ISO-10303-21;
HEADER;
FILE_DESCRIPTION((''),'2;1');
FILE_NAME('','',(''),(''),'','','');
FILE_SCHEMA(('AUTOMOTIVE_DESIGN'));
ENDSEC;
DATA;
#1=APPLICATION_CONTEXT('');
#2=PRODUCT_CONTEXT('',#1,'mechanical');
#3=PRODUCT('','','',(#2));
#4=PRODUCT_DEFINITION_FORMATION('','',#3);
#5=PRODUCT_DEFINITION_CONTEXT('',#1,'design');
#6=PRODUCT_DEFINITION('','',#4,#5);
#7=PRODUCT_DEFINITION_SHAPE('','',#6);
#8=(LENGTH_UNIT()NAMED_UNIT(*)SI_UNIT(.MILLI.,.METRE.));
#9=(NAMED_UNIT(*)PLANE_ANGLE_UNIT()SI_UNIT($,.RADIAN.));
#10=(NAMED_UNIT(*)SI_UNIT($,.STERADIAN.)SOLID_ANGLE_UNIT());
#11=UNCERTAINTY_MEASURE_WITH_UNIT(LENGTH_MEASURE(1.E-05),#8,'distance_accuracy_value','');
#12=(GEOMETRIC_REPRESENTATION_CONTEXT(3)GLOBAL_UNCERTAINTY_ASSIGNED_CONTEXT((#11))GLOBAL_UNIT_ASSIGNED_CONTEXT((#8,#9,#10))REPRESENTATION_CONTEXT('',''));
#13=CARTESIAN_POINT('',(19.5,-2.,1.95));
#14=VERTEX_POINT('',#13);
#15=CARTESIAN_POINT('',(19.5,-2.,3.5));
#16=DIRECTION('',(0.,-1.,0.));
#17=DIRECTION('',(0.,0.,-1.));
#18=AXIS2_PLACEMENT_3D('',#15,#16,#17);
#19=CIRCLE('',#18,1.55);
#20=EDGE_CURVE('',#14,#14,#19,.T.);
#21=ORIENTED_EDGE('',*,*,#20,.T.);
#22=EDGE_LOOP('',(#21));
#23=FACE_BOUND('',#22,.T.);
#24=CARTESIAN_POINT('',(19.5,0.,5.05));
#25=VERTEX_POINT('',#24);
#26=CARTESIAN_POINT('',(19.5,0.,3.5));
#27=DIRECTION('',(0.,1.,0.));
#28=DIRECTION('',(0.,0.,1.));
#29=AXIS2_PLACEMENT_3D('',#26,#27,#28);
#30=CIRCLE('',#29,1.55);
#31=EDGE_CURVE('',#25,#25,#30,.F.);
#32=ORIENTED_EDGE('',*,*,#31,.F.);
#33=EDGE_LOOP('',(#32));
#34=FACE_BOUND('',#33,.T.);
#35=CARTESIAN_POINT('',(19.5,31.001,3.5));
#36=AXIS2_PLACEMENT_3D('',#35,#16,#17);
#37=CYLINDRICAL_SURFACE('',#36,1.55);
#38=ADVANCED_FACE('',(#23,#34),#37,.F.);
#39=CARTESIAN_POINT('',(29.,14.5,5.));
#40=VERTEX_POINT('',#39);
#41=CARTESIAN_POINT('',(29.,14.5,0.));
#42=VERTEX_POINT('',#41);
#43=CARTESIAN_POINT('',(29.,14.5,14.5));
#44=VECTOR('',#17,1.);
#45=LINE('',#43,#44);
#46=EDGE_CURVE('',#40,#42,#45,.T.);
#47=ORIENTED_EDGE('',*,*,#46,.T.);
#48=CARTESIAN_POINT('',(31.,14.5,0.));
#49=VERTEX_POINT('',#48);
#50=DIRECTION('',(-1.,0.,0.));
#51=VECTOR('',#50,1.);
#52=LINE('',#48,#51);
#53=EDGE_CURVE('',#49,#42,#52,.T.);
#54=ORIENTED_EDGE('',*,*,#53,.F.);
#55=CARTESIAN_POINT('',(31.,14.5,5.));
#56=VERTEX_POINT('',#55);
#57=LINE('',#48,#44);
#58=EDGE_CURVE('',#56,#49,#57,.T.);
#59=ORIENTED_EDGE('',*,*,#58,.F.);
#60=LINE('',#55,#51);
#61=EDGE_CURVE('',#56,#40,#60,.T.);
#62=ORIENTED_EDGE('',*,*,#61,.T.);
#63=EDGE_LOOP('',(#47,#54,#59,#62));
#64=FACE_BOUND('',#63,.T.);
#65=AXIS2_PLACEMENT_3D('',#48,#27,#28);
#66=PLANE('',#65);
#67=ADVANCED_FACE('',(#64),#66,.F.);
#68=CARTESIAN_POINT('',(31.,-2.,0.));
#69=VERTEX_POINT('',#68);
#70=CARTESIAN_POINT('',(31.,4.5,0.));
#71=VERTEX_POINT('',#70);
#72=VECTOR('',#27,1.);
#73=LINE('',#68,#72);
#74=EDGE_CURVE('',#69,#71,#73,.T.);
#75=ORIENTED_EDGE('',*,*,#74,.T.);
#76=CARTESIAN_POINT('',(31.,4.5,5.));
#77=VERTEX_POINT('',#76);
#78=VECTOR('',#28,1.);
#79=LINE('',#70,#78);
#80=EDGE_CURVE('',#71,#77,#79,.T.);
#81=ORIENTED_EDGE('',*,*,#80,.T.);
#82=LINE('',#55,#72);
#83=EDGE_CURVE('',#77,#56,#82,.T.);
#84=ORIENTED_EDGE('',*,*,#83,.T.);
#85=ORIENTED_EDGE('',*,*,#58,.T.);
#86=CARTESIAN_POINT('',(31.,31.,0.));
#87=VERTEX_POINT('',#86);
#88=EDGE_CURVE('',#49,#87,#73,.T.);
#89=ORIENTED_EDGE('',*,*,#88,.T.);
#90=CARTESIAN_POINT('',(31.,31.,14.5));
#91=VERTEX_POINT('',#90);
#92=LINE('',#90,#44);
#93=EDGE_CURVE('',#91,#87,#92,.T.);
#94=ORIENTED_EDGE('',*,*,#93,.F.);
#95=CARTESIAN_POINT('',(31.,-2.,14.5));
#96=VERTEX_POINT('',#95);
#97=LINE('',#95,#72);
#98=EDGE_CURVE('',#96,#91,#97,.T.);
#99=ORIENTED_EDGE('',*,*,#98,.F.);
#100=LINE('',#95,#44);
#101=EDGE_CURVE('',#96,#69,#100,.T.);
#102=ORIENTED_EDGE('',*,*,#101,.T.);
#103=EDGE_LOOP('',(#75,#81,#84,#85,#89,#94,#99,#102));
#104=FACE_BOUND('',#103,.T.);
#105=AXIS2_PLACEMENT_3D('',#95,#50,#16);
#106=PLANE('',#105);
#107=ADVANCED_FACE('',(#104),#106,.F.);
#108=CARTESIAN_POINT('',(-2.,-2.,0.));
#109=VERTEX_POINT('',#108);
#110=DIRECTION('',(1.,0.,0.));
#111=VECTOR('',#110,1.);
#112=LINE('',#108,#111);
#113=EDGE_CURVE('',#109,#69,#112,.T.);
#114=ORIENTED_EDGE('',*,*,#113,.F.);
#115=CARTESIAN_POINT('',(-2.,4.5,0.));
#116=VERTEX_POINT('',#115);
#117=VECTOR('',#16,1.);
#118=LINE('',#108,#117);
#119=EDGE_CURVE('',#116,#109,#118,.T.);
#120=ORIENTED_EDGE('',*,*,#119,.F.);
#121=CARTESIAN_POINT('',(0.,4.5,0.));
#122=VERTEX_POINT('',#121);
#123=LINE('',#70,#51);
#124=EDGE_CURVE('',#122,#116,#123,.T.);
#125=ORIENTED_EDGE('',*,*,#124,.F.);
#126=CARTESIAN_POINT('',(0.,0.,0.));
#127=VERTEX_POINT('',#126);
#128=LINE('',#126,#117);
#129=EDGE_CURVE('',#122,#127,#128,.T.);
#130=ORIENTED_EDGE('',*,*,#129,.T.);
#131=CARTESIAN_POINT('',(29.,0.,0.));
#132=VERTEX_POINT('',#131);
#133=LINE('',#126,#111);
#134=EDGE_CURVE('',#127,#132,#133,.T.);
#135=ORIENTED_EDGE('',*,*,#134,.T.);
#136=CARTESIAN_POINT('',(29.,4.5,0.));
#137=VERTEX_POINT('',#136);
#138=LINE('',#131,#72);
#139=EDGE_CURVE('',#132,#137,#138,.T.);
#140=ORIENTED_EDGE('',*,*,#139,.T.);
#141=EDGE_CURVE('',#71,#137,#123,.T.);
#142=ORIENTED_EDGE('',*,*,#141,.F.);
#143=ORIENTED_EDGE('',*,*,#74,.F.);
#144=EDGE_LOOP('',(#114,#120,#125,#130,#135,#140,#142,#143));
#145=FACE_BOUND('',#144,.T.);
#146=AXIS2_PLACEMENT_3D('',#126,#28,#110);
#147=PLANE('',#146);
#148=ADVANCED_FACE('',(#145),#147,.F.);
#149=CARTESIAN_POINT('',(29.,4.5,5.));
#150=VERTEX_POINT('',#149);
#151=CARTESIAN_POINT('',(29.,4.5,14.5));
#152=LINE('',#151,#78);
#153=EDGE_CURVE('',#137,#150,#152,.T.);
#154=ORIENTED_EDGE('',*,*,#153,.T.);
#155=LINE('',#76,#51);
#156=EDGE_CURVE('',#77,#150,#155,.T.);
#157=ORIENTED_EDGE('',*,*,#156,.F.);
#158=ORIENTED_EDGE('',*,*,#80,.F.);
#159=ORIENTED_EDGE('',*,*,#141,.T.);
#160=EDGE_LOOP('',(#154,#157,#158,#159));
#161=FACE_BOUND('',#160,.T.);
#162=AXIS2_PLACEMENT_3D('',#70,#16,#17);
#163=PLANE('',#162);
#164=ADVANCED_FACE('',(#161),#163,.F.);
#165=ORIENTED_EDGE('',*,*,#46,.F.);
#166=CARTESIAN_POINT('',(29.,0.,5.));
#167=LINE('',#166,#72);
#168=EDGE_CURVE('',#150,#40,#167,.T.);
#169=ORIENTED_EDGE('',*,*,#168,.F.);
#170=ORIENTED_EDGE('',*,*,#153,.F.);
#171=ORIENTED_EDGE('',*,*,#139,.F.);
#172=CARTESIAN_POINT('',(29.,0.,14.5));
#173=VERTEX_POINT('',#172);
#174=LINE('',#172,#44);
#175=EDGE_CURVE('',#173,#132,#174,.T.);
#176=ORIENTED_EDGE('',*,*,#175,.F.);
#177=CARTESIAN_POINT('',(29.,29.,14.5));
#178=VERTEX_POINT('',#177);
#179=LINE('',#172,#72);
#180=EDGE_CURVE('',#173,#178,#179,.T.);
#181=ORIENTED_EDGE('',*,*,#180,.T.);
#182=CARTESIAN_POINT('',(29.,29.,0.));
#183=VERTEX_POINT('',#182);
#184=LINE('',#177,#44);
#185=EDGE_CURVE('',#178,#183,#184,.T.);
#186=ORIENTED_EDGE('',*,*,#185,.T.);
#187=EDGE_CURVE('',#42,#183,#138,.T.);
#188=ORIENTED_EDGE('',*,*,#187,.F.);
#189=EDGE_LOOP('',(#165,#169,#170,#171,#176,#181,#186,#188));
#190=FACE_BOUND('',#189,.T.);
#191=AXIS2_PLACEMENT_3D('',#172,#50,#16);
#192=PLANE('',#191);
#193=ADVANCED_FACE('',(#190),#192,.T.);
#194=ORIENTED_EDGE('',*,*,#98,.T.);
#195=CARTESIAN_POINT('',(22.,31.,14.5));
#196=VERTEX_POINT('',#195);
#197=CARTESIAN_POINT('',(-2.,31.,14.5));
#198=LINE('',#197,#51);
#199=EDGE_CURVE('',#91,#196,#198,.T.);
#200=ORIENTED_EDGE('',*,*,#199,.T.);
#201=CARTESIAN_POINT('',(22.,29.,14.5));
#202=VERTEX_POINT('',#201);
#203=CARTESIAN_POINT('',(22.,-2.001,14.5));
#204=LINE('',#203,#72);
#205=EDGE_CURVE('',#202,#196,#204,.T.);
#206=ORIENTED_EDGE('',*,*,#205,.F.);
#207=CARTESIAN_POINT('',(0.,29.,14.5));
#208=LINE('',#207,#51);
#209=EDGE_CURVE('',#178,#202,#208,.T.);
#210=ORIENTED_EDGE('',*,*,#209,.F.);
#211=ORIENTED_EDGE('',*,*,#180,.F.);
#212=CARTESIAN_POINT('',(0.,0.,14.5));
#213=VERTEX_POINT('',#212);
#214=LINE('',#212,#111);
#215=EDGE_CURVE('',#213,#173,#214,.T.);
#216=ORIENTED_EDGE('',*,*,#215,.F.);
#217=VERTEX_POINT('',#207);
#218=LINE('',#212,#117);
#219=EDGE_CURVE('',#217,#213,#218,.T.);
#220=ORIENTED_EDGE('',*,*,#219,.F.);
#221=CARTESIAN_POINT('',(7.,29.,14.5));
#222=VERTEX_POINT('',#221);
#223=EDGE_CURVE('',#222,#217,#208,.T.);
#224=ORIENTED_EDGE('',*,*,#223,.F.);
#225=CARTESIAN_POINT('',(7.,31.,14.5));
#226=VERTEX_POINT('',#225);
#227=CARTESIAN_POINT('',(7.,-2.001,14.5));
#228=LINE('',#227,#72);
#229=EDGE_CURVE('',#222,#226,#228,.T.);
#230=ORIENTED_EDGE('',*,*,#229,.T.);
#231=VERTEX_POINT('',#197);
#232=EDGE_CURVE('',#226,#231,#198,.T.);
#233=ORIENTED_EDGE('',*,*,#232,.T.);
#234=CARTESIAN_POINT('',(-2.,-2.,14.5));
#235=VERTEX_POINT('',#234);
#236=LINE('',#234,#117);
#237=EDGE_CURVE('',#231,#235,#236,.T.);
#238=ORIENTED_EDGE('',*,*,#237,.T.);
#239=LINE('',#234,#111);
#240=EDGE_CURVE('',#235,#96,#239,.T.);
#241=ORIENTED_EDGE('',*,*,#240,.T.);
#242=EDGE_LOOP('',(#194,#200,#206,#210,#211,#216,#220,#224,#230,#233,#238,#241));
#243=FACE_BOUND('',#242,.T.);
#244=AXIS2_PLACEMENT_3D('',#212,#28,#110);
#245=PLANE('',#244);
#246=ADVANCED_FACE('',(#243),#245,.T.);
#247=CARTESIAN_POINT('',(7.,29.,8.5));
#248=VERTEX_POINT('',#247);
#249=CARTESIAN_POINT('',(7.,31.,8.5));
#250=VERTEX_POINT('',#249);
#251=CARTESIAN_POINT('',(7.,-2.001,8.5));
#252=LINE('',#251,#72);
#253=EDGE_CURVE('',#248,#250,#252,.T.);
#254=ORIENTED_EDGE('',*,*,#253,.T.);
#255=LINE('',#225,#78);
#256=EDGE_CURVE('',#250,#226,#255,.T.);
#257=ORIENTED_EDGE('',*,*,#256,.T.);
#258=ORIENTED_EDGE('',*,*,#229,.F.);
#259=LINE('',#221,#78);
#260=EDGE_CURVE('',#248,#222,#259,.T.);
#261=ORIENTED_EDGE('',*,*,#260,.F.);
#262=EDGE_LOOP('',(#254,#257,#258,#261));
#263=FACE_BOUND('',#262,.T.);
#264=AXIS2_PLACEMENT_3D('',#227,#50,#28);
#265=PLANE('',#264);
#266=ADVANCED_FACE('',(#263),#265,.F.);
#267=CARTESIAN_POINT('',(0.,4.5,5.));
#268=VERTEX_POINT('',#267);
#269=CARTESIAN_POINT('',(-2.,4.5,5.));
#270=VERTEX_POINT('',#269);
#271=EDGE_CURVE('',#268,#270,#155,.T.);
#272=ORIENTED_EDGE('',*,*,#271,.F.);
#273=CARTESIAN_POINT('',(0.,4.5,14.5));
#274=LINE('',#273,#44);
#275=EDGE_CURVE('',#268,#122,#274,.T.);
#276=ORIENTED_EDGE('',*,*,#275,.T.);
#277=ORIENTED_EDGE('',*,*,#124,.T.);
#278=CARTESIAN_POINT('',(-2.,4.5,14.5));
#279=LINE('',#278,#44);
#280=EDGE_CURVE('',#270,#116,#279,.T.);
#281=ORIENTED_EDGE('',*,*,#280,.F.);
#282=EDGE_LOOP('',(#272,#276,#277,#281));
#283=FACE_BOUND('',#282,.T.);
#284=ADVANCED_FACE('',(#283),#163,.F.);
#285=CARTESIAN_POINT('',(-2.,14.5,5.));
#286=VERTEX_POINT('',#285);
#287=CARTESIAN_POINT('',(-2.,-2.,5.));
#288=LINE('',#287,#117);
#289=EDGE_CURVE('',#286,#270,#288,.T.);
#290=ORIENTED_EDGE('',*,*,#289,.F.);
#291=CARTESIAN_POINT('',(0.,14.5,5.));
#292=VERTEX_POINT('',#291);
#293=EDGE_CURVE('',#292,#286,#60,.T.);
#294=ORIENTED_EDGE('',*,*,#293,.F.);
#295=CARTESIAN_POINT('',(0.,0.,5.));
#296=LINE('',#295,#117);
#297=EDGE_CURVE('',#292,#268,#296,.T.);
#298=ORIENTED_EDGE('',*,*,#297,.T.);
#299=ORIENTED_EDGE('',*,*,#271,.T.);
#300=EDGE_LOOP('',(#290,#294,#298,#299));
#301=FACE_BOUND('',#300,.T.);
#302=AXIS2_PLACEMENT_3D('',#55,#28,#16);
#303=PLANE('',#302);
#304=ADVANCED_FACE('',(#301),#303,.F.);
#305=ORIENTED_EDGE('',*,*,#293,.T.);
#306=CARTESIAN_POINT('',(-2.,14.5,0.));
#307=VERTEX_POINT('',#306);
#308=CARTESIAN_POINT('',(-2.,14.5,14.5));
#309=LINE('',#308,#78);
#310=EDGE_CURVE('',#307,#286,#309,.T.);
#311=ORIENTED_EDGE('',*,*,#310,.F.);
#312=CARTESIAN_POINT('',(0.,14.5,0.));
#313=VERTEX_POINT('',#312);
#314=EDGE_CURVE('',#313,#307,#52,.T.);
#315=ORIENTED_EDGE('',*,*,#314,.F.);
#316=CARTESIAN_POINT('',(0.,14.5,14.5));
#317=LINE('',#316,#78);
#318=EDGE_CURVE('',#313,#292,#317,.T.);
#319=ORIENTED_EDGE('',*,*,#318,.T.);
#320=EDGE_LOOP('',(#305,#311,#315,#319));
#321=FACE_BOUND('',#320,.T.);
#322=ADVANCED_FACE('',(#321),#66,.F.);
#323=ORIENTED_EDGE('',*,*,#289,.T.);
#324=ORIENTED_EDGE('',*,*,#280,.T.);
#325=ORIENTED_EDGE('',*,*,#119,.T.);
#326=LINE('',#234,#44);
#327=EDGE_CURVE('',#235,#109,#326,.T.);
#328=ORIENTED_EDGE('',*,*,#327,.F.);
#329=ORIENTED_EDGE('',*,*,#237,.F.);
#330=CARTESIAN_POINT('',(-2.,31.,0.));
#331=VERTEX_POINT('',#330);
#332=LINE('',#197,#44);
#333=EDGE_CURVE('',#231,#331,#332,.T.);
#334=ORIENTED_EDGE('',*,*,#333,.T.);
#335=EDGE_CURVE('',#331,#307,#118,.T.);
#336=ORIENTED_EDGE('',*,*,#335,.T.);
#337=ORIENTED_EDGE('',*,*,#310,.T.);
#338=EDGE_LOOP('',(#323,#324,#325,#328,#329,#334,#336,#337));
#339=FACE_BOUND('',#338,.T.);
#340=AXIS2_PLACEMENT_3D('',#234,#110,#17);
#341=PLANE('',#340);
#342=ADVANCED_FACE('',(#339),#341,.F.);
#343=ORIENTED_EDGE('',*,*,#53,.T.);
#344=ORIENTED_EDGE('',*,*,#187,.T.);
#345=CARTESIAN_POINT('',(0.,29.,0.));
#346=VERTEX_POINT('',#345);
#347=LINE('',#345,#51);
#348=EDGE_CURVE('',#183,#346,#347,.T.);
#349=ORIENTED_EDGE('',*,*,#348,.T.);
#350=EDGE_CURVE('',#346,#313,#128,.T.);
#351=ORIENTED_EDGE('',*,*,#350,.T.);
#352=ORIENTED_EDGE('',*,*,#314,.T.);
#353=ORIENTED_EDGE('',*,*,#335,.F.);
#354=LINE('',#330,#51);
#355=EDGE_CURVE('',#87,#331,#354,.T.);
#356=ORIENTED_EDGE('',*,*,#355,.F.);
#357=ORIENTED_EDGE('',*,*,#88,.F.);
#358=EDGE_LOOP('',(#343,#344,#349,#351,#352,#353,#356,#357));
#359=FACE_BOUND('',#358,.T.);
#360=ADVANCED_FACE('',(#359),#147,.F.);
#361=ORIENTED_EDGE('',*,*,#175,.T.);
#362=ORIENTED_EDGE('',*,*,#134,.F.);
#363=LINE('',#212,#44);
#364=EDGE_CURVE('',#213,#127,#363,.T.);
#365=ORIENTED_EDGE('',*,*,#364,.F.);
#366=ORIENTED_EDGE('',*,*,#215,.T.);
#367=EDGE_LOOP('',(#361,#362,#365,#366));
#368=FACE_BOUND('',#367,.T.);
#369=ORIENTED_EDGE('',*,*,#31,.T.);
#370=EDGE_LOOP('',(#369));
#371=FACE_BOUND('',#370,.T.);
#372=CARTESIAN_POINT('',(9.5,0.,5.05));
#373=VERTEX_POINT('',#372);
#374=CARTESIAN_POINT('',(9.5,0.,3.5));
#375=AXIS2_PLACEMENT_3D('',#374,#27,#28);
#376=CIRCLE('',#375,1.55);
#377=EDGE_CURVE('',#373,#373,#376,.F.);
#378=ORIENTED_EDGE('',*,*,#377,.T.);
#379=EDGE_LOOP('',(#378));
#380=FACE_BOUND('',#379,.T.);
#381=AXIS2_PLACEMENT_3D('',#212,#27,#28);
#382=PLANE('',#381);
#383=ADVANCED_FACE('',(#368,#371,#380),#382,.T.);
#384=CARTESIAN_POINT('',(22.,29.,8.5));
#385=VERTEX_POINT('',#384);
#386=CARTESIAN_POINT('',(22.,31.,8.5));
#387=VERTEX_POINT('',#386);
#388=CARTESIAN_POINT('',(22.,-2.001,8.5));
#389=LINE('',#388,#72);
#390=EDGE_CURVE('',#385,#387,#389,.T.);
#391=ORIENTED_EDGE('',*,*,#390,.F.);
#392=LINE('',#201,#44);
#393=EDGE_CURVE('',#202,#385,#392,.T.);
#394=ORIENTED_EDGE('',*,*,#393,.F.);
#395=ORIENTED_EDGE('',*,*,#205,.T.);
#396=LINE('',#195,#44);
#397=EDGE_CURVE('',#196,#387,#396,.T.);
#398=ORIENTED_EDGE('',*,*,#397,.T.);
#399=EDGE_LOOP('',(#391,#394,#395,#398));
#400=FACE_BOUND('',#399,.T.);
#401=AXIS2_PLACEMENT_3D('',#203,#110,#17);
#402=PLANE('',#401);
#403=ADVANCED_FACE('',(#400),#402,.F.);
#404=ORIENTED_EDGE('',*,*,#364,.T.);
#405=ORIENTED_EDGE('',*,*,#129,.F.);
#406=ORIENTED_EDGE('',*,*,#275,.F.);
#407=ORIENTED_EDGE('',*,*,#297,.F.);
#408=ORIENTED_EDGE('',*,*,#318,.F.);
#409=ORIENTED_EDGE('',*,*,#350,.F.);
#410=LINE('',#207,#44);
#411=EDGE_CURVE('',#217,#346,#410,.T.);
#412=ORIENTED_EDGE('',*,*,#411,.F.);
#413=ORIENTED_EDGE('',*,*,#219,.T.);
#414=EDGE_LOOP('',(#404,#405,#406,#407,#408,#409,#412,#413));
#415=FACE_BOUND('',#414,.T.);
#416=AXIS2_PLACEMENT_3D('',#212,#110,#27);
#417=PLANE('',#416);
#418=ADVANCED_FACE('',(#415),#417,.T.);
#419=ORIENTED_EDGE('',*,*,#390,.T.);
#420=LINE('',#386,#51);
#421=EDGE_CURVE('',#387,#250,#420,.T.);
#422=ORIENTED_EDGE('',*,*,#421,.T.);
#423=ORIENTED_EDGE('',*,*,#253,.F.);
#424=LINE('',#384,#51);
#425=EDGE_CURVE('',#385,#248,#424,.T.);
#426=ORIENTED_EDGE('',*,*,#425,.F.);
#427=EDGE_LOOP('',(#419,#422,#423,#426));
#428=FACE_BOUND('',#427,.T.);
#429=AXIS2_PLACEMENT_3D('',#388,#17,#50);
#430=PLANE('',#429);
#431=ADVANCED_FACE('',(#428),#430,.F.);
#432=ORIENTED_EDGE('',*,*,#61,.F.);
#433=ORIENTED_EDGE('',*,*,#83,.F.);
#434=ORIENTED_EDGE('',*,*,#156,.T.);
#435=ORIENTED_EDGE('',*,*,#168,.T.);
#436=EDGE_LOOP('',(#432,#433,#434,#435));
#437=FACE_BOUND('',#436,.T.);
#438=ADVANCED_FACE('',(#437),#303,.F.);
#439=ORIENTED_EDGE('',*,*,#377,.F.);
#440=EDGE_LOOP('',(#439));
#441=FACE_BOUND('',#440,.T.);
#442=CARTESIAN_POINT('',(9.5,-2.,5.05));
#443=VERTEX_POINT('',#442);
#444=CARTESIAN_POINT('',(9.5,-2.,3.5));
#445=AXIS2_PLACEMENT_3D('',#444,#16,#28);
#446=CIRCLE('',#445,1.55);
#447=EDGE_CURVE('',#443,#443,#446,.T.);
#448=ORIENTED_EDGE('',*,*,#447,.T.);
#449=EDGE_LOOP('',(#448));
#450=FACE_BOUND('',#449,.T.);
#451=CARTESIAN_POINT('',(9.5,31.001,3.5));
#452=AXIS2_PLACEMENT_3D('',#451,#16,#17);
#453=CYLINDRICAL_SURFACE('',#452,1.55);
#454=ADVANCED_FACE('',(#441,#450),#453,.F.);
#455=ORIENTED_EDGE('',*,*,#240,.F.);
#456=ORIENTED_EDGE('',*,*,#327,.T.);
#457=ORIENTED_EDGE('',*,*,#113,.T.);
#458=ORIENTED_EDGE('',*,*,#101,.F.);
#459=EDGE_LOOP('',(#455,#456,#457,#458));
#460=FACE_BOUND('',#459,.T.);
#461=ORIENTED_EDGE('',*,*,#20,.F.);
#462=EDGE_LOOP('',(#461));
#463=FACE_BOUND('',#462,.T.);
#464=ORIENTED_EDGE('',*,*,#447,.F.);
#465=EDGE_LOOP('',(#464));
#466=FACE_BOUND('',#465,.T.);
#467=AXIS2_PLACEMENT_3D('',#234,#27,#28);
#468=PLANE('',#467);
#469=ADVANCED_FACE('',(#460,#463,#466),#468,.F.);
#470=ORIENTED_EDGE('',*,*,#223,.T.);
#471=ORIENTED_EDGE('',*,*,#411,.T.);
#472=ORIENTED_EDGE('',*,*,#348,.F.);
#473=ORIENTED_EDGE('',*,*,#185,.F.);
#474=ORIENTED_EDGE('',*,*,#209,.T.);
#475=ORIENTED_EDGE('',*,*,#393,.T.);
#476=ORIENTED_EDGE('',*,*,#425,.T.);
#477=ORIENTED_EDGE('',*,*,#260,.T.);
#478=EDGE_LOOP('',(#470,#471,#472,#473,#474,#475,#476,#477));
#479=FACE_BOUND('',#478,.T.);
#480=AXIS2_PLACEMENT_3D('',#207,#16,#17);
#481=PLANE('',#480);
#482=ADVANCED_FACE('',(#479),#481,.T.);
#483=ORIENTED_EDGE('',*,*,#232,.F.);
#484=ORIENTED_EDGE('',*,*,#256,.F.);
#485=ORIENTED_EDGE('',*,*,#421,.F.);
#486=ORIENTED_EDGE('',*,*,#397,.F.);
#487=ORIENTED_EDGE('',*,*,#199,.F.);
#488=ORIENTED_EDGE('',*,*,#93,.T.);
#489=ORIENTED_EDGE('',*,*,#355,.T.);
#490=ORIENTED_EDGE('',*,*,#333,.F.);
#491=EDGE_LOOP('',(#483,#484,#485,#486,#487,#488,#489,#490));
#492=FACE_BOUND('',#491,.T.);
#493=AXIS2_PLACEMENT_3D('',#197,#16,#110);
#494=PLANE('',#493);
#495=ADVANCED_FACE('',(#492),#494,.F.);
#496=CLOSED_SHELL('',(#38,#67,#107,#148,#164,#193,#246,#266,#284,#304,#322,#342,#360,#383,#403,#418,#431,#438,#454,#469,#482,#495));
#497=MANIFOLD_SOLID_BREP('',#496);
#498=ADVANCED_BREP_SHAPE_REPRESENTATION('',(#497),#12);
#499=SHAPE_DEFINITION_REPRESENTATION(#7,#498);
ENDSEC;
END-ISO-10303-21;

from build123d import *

# Parameters (mm, degrees)
SKETCH_1_W               = 33
SKETCH_1_H               = 33
SKETCH_1_W_2             = 29
SKETCH_1_H_2             = 29
EXTRUDE_1_DEPTH          = 14.5
CUT_EXTRUDE_2_REACH      = 49.542
SKETCH_3_W               = 15
SKETCH_3_H               = 6
CUT_EXTRUDE_4_REACH      = 49.542
SKETCH_5_R               = 1.55
CUT_EXTRUDE_5_DEPTH      = 48.542086618
CUT_EXTRUDE_5_DEPTH_BACK = 48.542086618
SKETCH_6_W               = 5
SKETCH_6_H               = 10


with BuildPart() as part:
    # 草图1 → 凸台-拉伸1 (new body)
    with BuildSketch(Plane.XY):
        with Locations((14.5, 14.5)):
            Rectangle(SKETCH_1_W, SKETCH_1_H)
        with Locations((14.5, 14.5)):
            Rectangle(SKETCH_1_W_2, SKETCH_1_H_2, mode=Mode.SUBTRACT)
    extrude(amount=EXTRUDE_1_DEPTH)

    # 草图3 → 切除-拉伸2 (cut, up to next)
    with BuildSketch(Plane(origin=(0, 31, 0), x_dir=(1, 0, 0), z_dir=(0, 1, 0)), mode=Mode.PRIVATE) as cut_extrude_2_sk1:
        with Locations((14.5, -11.5)):
            Rectangle(SKETCH_3_W, SKETCH_3_H)
    cut_extrude_2_tool1 = extrude(cut_extrude_2_sk1.sketch, amount=-CUT_EXTRUDE_2_REACH, mode=Mode.PRIVATE) & part.part
    add(cut_extrude_2_tool1.solids().sort_by_distance((14.5, 31, 11.5))[0], mode=Mode.SUBTRACT)

    # 草图5 → 切除-拉伸4 (cut, up to next)
    with BuildSketch(Plane.XZ.offset(2), mode=Mode.PRIVATE) as cut_extrude_4_sk1:
        with Locations(Location((19.5, 3.5, 0), (0, 0, 270))):
            Circle(SKETCH_5_R)
    cut_extrude_4_tool1 = extrude(cut_extrude_4_sk1.sketch, amount=-CUT_EXTRUDE_4_REACH, mode=Mode.PRIVATE) & part.part
    # 草图5 → 切除-拉伸4 (cut, up to next)
    with BuildSketch(Plane.XZ.offset(2), mode=Mode.PRIVATE) as cut_extrude_4_sk2:
        with Locations(Location((9.5, 3.5, 0), (0, 0, 90))):
            Circle(SKETCH_5_R)
    cut_extrude_4_tool2 = extrude(cut_extrude_4_sk2.sketch, amount=-CUT_EXTRUDE_4_REACH, mode=Mode.PRIVATE) & part.part
    add(cut_extrude_4_tool1.solids().sort_by_distance((19.5, -2, 3.5))[0], mode=Mode.SUBTRACT)
    add(cut_extrude_4_tool2.solids().sort_by_distance((9.5, -2, 3.5))[0], mode=Mode.SUBTRACT)

    # 草图6 → 切除-拉伸5 (cut, two sides: drawn at the far end of the back side and taken through both)
    with BuildSketch(Plane.ZY.offset(2).offset(-CUT_EXTRUDE_5_DEPTH_BACK)):
        with Locations((2.5, 9.5)):
            Rectangle(SKETCH_6_W, SKETCH_6_H)
    extrude(amount=CUT_EXTRUDE_5_DEPTH + CUT_EXTRUDE_5_DEPTH_BACK, mode=Mode.SUBTRACT)


solid = part.part
